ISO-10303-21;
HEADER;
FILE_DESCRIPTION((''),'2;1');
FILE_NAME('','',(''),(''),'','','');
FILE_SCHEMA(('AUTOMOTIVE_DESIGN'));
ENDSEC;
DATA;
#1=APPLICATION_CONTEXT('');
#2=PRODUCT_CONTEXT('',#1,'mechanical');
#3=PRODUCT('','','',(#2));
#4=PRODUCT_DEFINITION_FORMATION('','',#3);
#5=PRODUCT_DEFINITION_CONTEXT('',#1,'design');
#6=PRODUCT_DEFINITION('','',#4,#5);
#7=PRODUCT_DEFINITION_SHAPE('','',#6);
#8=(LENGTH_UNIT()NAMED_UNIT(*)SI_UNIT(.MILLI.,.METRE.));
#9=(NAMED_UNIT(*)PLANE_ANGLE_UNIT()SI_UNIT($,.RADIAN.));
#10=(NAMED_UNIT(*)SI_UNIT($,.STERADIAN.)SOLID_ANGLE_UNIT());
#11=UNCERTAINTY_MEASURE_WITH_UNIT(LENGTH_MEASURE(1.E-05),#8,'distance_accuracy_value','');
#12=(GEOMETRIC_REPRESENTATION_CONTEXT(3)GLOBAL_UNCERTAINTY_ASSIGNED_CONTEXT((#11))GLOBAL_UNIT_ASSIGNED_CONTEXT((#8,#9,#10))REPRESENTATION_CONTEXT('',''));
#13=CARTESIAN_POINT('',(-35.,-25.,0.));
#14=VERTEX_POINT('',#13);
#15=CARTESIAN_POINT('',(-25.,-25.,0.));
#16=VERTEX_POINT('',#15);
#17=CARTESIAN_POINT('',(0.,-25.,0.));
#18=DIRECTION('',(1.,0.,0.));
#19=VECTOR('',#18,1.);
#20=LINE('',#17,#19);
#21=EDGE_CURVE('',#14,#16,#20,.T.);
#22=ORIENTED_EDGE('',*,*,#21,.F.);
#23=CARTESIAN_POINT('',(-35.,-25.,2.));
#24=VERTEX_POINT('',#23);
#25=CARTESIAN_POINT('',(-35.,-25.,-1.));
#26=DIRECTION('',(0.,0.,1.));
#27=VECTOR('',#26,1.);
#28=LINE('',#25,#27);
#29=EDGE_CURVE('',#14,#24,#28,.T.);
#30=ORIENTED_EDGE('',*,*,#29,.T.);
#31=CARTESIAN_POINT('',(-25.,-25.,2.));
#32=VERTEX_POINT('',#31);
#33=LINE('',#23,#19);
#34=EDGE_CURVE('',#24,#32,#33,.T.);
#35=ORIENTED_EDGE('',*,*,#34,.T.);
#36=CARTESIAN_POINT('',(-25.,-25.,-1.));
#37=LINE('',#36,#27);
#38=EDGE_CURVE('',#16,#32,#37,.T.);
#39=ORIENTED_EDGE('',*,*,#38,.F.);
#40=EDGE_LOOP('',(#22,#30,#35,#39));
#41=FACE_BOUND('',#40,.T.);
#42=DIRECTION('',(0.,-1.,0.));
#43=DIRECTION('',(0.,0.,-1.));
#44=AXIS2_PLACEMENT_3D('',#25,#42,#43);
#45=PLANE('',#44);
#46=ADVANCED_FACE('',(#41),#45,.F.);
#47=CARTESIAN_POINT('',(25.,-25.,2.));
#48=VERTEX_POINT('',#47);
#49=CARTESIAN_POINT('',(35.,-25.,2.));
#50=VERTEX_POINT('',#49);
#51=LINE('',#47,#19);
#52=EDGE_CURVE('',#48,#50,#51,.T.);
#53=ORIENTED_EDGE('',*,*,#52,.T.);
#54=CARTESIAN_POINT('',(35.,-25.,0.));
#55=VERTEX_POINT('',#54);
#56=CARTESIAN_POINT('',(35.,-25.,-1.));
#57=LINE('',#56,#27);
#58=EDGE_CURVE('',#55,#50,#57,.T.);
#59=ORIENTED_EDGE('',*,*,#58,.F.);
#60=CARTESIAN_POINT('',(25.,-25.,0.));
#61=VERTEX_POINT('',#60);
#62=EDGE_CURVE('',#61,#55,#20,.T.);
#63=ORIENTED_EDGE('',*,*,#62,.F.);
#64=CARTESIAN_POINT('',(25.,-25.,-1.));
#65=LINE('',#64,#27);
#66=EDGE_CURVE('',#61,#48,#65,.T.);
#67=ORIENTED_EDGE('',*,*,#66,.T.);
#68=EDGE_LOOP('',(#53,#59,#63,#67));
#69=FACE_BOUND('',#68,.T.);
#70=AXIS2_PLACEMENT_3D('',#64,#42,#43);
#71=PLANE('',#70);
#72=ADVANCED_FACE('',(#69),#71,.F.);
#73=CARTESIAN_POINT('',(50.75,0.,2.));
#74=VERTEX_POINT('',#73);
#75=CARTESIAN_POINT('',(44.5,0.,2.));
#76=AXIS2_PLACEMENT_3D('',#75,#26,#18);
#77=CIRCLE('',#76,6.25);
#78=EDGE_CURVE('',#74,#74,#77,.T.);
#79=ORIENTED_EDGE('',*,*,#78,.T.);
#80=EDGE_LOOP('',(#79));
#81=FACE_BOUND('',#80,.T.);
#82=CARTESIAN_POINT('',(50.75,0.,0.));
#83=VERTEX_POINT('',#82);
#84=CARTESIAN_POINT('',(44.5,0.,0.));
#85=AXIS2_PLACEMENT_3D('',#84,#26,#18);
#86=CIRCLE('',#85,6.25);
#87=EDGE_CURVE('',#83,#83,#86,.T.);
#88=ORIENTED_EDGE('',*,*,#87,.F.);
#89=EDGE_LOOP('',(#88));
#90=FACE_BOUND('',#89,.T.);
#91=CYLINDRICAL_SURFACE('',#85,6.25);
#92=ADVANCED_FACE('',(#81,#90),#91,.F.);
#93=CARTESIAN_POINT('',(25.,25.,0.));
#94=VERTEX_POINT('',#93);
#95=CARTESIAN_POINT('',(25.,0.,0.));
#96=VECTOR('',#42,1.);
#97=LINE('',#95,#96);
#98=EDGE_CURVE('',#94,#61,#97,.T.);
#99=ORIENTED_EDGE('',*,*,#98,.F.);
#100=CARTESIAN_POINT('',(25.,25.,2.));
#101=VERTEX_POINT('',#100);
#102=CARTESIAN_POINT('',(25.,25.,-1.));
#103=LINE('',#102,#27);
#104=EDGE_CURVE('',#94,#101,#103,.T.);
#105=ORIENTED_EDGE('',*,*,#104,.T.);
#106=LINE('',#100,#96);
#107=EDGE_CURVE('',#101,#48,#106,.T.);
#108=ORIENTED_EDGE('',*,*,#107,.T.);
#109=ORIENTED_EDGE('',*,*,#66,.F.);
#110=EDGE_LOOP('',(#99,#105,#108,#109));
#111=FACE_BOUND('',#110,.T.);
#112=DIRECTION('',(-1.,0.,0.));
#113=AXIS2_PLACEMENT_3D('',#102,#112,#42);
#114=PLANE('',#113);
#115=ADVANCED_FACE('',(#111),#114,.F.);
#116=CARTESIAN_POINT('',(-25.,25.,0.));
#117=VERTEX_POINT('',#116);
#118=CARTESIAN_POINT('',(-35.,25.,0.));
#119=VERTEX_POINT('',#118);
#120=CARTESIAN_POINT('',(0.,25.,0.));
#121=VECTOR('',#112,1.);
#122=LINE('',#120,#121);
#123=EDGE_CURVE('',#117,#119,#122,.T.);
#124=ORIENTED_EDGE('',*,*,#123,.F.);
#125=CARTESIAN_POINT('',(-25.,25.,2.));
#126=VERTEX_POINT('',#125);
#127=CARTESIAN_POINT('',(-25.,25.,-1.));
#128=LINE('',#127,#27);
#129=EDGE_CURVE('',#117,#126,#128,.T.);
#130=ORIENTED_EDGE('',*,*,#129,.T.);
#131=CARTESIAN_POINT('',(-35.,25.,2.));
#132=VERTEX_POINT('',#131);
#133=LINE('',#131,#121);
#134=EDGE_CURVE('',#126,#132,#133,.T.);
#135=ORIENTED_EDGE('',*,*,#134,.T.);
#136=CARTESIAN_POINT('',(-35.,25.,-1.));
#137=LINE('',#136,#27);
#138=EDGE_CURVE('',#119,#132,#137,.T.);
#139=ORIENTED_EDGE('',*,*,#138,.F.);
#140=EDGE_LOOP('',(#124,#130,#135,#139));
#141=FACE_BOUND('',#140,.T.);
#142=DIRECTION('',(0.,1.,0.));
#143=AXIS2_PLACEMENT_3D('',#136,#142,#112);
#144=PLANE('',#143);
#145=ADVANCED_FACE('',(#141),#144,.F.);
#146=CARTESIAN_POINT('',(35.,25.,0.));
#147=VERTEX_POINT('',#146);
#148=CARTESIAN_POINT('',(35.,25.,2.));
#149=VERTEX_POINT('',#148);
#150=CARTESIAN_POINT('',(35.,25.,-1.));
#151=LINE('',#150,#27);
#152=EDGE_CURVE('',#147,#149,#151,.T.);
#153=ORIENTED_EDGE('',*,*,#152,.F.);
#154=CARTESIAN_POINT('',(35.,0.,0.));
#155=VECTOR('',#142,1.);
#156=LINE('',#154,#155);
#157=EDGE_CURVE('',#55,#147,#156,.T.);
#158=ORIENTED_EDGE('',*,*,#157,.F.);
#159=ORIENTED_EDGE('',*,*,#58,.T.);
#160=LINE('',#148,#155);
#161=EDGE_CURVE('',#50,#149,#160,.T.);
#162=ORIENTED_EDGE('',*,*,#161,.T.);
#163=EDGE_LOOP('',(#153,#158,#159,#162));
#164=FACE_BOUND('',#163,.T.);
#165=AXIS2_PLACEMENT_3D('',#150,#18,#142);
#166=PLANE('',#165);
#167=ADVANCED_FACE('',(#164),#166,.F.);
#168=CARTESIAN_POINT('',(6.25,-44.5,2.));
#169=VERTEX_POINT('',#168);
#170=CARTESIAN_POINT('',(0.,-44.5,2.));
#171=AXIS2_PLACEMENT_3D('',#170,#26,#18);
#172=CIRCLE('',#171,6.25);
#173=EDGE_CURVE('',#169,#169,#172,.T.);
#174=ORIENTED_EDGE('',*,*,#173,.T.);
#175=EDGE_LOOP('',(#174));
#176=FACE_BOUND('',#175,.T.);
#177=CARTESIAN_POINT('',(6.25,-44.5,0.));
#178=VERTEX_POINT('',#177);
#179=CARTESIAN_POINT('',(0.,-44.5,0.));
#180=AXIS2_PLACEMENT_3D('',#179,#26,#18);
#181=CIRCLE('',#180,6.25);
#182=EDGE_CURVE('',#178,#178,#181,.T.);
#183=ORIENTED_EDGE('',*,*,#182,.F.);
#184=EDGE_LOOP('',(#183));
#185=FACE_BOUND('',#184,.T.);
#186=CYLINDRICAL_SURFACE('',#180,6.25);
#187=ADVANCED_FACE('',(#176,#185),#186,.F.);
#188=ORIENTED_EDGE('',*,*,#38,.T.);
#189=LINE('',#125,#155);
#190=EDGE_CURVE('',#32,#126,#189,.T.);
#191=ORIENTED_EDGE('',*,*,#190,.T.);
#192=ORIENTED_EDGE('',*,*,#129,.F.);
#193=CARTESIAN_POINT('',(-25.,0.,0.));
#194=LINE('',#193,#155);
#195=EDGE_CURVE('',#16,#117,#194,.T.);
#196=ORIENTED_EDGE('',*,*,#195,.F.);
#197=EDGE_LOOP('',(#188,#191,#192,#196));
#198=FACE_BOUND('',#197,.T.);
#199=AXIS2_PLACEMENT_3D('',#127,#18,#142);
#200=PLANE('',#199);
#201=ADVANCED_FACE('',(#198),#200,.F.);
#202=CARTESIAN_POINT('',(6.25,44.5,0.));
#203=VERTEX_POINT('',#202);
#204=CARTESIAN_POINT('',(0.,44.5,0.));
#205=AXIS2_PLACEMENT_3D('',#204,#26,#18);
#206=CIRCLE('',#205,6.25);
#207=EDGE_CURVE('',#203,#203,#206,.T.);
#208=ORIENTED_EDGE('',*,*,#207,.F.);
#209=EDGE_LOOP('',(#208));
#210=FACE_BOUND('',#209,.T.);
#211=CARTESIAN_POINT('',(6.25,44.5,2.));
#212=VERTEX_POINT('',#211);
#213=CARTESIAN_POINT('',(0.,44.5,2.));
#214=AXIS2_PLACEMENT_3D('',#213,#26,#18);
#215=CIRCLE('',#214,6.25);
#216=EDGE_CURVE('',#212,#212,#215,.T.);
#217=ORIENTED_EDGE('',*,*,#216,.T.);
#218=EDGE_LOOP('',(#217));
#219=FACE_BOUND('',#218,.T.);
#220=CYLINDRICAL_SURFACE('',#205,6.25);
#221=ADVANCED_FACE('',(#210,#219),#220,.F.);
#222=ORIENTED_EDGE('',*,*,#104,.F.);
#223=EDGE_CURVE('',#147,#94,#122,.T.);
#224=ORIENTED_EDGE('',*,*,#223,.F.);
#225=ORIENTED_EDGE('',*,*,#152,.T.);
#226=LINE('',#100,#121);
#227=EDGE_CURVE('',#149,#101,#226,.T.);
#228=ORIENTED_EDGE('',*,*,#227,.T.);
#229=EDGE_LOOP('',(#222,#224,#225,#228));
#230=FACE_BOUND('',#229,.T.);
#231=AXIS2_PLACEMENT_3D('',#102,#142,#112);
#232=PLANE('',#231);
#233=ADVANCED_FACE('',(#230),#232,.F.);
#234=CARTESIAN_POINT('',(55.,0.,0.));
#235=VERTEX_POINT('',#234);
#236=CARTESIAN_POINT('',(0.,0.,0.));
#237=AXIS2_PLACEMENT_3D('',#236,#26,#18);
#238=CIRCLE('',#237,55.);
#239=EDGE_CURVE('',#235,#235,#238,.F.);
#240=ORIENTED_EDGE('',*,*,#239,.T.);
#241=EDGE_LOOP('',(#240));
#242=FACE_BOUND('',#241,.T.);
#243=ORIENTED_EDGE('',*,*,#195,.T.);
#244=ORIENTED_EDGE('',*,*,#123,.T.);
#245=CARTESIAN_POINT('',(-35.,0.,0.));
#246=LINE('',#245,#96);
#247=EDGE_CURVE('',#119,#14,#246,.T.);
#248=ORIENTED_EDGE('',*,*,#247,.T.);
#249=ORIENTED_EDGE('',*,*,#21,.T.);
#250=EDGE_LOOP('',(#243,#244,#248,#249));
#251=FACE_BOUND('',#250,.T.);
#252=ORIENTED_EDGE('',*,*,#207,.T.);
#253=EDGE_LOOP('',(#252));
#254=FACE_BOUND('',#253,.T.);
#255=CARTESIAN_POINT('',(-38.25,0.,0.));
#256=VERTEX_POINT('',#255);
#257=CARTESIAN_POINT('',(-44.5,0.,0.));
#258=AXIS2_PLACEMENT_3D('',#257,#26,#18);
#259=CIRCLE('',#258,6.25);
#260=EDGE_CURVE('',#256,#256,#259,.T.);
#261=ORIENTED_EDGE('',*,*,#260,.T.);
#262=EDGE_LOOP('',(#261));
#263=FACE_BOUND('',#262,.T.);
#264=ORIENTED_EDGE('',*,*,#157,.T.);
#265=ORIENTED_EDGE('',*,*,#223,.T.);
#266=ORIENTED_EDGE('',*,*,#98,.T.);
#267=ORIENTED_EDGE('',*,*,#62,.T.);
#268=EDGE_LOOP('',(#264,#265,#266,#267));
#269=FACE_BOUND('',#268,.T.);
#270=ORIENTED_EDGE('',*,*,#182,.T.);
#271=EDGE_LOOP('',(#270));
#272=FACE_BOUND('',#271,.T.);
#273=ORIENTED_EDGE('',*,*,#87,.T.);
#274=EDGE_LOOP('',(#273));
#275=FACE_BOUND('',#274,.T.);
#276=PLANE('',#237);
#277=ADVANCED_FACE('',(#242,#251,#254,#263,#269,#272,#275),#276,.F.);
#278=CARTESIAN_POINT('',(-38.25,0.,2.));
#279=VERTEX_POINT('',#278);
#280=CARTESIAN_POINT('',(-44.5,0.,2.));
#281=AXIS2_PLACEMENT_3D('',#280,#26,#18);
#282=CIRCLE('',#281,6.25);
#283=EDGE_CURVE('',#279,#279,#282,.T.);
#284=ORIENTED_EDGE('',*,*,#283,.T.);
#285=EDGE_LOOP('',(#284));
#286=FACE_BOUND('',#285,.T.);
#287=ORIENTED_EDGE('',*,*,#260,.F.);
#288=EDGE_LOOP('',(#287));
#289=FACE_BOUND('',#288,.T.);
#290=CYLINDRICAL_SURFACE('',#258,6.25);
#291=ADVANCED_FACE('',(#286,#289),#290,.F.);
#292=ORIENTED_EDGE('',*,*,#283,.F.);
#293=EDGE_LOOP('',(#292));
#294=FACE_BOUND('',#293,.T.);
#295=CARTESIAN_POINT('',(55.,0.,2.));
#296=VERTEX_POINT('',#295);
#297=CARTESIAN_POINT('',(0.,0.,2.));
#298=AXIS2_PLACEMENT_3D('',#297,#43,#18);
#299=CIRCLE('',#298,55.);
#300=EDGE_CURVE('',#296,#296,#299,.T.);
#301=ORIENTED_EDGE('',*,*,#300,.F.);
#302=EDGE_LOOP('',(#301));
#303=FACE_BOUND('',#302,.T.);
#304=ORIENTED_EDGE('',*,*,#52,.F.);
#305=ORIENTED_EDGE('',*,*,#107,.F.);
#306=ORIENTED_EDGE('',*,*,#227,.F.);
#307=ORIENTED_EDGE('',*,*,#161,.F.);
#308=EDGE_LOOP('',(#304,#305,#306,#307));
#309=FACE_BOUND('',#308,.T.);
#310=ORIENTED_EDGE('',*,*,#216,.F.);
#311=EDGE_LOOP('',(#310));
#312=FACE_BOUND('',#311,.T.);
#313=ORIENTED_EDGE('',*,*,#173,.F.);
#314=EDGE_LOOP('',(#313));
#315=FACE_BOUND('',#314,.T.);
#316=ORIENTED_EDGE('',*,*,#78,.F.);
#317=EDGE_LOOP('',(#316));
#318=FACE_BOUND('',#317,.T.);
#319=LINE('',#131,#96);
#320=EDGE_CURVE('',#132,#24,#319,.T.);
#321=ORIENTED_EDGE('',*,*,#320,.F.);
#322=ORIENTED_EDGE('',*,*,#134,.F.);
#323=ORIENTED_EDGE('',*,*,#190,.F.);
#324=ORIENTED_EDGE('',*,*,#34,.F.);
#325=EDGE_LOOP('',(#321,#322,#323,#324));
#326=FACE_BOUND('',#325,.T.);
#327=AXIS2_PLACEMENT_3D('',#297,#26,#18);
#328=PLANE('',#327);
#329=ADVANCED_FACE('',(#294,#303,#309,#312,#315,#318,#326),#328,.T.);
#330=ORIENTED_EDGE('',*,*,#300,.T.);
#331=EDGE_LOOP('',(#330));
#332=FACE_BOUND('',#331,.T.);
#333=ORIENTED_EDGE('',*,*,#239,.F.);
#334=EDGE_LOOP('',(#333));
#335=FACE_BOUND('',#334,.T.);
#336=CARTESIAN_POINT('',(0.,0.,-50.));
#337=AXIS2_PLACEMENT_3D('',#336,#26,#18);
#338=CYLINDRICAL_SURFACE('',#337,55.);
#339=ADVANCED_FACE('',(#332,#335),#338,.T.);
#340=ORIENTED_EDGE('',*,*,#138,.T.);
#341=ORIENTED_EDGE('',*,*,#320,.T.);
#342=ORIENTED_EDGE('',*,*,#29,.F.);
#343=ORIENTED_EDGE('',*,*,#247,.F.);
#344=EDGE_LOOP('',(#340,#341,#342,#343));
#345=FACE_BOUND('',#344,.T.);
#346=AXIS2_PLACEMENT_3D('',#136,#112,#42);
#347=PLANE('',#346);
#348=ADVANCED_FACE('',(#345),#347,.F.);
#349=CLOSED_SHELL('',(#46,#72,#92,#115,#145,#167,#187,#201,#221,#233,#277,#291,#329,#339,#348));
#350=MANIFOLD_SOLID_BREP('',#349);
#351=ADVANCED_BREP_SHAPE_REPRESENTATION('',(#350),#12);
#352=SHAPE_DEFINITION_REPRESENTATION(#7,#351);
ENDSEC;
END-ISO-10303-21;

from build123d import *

# Parameters (mm, degrees)
SKETCH4_R           = 59
BOSS_EXTRUDE3_DEPTH = 2
SKETCH5_R           = 1.375
BOSS_EXTRUDE5_DEPTH = 7
SKETCH8_R           = 2.375
BOSS_EXTRUDE6_DEPTH = 2
BOSS_EXTRUDE7_DEPTH = 18
SKETCH10_R          = 7.5
CUT_EXTRUDE1_DEPTH  = 18
SKETCH12_R          = 57.5
CUT_EXTRUDE2_DEPTH  = 5
CUT_EXTRUDE3_DEPTH  = 5.5
SKETCH15_R          = 89.714021058
SKETCH15_R_2        = 57
CUT_EXTRUDE4_DEPTH  = 22
SKETCH16_R          = 62.462022857
CUT_EXTRUDE8_DEPTH  = 52
CUT_EXTRUDE9_DEPTH  = 52
SKETCH18_R          = 80.62246508
SKETCH18_R_2        = 55
CUT_EXTRUDE10_DEPTH = 10
SKETCH19_R          = 55
BOSS_EXTRUDE8_DEPTH = 2
SKETCH20_R          = 6.25
CUT_EXTRUDE11_DEPTH = 2
SKETCH21_W          = 10
SKETCH21_H          = 50
CUT_EXTRUDE12_DEPTH = 3
SKETCH22_R          = 40.394642533
CUT_EXTRUDE13_DEPTH = 10


with BuildPart() as part:
    # Sketch4 → Boss-Extrude3 (new body)
    with BuildSketch(Plane.XY):
        Circle(SKETCH4_R)
    extrude(amount=BOSS_EXTRUDE3_DEPTH)

    # Sketch5 → Boss-Extrude5 (add)
    with BuildSketch(Plane.XY.offset(2)):
        with Locations((-22.5, 27.5)):
            Circle(SKETCH5_R)
        with Locations((22.5, 27.5)):
            Circle(SKETCH5_R)
        with Locations((22.5, -27.5)):
            Circle(SKETCH5_R)
        with Locations((-22.5, -27.5)):
            Circle(SKETCH5_R)
    extrude(amount=BOSS_EXTRUDE5_DEPTH)

    # Sketch8 → Boss-Extrude6 (add)
    with BuildSketch(Plane.XY.offset(2)):
        with Locations((-22.5, 27.5)):
            Circle(SKETCH8_R)
        with Locations((22.5, 27.5)):
            Circle(SKETCH8_R)
        with Locations((-22.5, -27.5)):
            Circle(SKETCH8_R)
        with Locations((22.5, -27.5)):
            Circle(SKETCH8_R)
    extrude(amount=BOSS_EXTRUDE6_DEPTH)

    # Sketch9 → Boss-Extrude7 (add)
    with BuildSketch(Plane.XY.offset(2)):
        with BuildLine():
            ThreePointArc((-4.745762712, 55.798546005), (0, 56), (4.745762712, 55.798546005))
            Line((4.745762712, 55.798546005), (5, 58.787753827))
            ThreePointArc((5, 58.787753827), (0, 59), (-5, 58.787753827))
            Line((-5, 58.787753827), (-4.745762712, 55.798546005))
        make_face()
        with BuildLine():
            Line((-55.798546005, 4.745762712), (-58.787753827, 5))
            ThreePointArc((-58.787753827, 5), (-59, 0), (-58.787753827, -5))
            Line((-58.787753827, -5), (-55.798546005, -4.745762712))
            ThreePointArc((-55.798546005, -4.745762712), (-56, 0), (-55.798546005, 4.745762712))
        make_face()
        with BuildLine():
            ThreePointArc((58.787753827, -5), (59, 0), (58.787753827, 5))
            Line((58.787753827, 5), (55.798546005, 4.745762712))
            ThreePointArc((55.798546005, 4.745762712), (56, 0), (55.798546005, -4.745762712))
            Line((55.798546005, -4.745762712), (58.787753827, -5))
        make_face()
        with BuildLine():
            ThreePointArc((-4.745762712, -55.798546005), (0, -56), (4.745762712, -55.798546005))
            Line((4.745762712, -55.798546005), (5, -58.787753827))
            ThreePointArc((5, -58.787753827), (0, -59), (-5, -58.787753827))
            Line((-5, -58.787753827), (-4.745762712, -55.798546005))
        make_face()
    extrude(amount=BOSS_EXTRUDE7_DEPTH)

    # Sketch10 → Cut-Extrude1 (cut)
    with BuildSketch(Plane.XY.offset(2)):
        with Locations((-40, 0)):
            Circle(SKETCH10_R)
    extrude(amount=-CUT_EXTRUDE1_DEPTH, mode=Mode.SUBTRACT)

    # Sketch12 → Cut-Extrude2 (cut)
    with BuildSketch(Plane.XY.offset(20)):
        Circle(SKETCH12_R)
    extrude(amount=-CUT_EXTRUDE2_DEPTH, mode=Mode.SUBTRACT)

    # Sketch13 → Cut-Extrude3 (cut)
    with BuildSketch(Plane(origin=(0, 0, 0), x_dir=(-1, 0, 0), z_dir=(0, 0, -1))):
        with BuildLine():
            Line((-57.243329786, 4.868644068), (-58.787753827, 5))
            ThreePointArc((-58.787753827, 5), (-59, 0), (-58.787753827, -5))
            Line((-58.787753827, -5), (-57.243329786, -4.868644068))
            ThreePointArc((-57.243329786, -4.868644068), (-57.45, 0), (-57.243329786, 4.868644068))
        make_face()
        with BuildLine():
            ThreePointArc((5, 58.787753827), (0, 59), (-5, 58.787753827))
            Line((-5, 58.787753827), (-4.868644068, 57.243329786))
            ThreePointArc((-4.868644068, 57.243329786), (0, 57.45), (4.868644068, 57.243329786))
            Line((4.868644068, 57.243329786), (5, 58.787753827))
        make_face()
        with BuildLine():
            Line((-4.868644068, -57.243329786), (-5, -58.787753827))
            ThreePointArc((-5, -58.787753827), (0, -59), (5, -58.787753827))
            Line((5, -58.787753827), (4.868644068, -57.243329786))
            ThreePointArc((4.868644068, -57.243329786), (0, -57.45), (-4.868644068, -57.243329786))
        make_face()
        with BuildLine():
            ThreePointArc((58.787753827, -5), (59, 0), (58.787753827, 5))
            Line((58.787753827, 5), (57.243329786, 4.868644068))
            ThreePointArc((57.243329786, 4.868644068), (57.45, 0), (57.243329786, -4.868644068))
            Line((57.243329786, -4.868644068), (58.787753827, -5))
        make_face()
    extrude(amount=-CUT_EXTRUDE3_DEPTH, mode=Mode.SUBTRACT)

    # Sketch15 → Cut-Extrude4 (cut)
    with BuildSketch(Plane(origin=(0, 0, 0), x_dir=(-1, 0, 0), z_dir=(0, 0, -1))):
        Circle(SKETCH15_R)
        Circle(SKETCH15_R_2, mode=Mode.SUBTRACT)
    extrude(amount=-CUT_EXTRUDE4_DEPTH, mode=Mode.SUBTRACT)

    # Sketch16 → Cut-Extrude8 (cut)
    with BuildSketch(Plane.XY.offset(2)):
        Circle(SKETCH16_R)
        with BuildLine():
            Line((55.798546005, 4.745762712), (56.794948612, 4.830508475))
            ThreePointArc((56.794948612, 4.830508475), (40.305086528, 40.305086528), (4.830508475, 56.794948612))
            Line((4.830508475, 56.794948612), (4.745762712, 55.798546005))
            ThreePointArc((4.745762712, 55.798546005), (0, 56), (-4.745762712, 55.798546005))
            Line((-4.745762712, 55.798546005), (-4.830508475, 56.794948612))
            ThreePointArc((-4.830508475, 56.794948612), (-40.305086528, 40.305086528), (-56.794948612, 4.830508475))
            Line((-56.794948612, 4.830508475), (-55.798546005, 4.745762712))
            ThreePointArc((-55.798546005, 4.745762712), (-56, 0), (-55.798546005, -4.745762712))
            Line((-55.798546005, -4.745762712), (-56.794948612, -4.830508475))
            ThreePointArc((-56.794948612, -4.830508475), (-40.305086528, -40.305086528), (-4.830508475, -56.794948612))
            Line((-4.830508475, -56.794948612), (-4.745762712, -55.798546005))
            ThreePointArc((-4.745762712, -55.798546005), (0, -56), (4.745762712, -55.798546005))
            Line((4.745762712, -55.798546005), (4.830508475, -56.794948612))
            ThreePointArc((4.830508475, -56.794948612), (40.305086528, -40.305086528), (56.794948612, -4.830508475))
            Line((56.794948612, -4.830508475), (55.798546005, -4.745762712))
            ThreePointArc((55.798546005, -4.745762712), (56, 0), (55.798546005, 4.745762712))
        make_face(mode=Mode.SUBTRACT)
    extrude(amount=CUT_EXTRUDE8_DEPTH, mode=Mode.SUBTRACT)

    # Sketch17 → Cut-Extrude9 (cut)
    with BuildSketch(Plane.XY.offset(2)):
        with BuildLine():
            Line((-5, 57), (5, 57))
            Line((5, 57), (4.806106124, 54.789609817))
            ThreePointArc((4.806106124, 54.789609817), (0, 55), (-4.806106124, 54.789609817))
            Line((-4.806106124, 54.789609817), (-5, 57))
        make_face()
        with BuildLine():
            Line((54.789609817, 4.806106124), (57, 5))
            Line((57, 5), (57, -5))
            Line((57, -5), (54.789609817, -4.806106124))
            ThreePointArc((54.789609817, -4.806106124), (55, 0), (54.789609817, 4.806106124))
        make_face()
        with BuildLine():
            Line((4.806106124, -54.789609817), (5, -57))
            Line((5, -57), (-5, -57))
            Line((-5, -57), (-4.806106124, -54.789609817))
            ThreePointArc((-4.806106124, -54.789609817), (0, -55), (4.806106124, -54.789609817))
        make_face()
        with BuildLine():
            Line((-54.789609817, -4.806106124), (-57, -5))
            Line((-57, -5), (-57, 5))
            Line((-57, 5), (-54.789609817, 4.806106124))
            ThreePointArc((-54.789609817, 4.806106124), (-55, 0), (-54.789609817, -4.806106124))
        make_face()
    extrude(amount=-CUT_EXTRUDE9_DEPTH, mode=Mode.SUBTRACT)

    # Sketch18 → Cut-Extrude10 (cut)
    with BuildSketch(Plane.XY.offset(2)):
        Circle(SKETCH18_R)
        Circle(SKETCH18_R_2, mode=Mode.SUBTRACT)
    extrude(amount=-CUT_EXTRUDE10_DEPTH, mode=Mode.SUBTRACT)

    # Sketch19 → Boss-Extrude8 (add)
    with BuildSketch(Plane.XY.offset(2)):
        Circle(SKETCH19_R)
    extrude(amount=-BOSS_EXTRUDE8_DEPTH)

    # Sketch20 → Cut-Extrude11 (cut)
    with BuildSketch(Plane.XY.offset(2)):
        with Locations((0, 44.5)):
            Circle(SKETCH20_R)
        with Locations((44.5, 0)):
            Circle(SKETCH20_R)
        with Locations((0, -44.5)):
            Circle(SKETCH20_R)
        with Locations((-44.5, 0)):
            Circle(SKETCH20_R)
    extrude(amount=-CUT_EXTRUDE11_DEPTH, mode=Mode.SUBTRACT)

    # Sketch21 → Cut-Extrude12 (cut)
    with BuildSketch(Plane.XY.offset(2)):
        with Locations((30, 0)):
            Rectangle(SKETCH21_W, SKETCH21_H)
        with Locations((-30, 0)):
            Rectangle(SKETCH21_W, SKETCH21_H)
    extrude(amount=-CUT_EXTRUDE12_DEPTH, mode=Mode.SUBTRACT)

    # Sketch22 → Cut-Extrude13 (cut)
    with BuildSketch(Plane.XY.offset(2)):
        Circle(SKETCH22_R)
    extrude(amount=CUT_EXTRUDE13_DEPTH, mode=Mode.SUBTRACT)


solid = part.part
